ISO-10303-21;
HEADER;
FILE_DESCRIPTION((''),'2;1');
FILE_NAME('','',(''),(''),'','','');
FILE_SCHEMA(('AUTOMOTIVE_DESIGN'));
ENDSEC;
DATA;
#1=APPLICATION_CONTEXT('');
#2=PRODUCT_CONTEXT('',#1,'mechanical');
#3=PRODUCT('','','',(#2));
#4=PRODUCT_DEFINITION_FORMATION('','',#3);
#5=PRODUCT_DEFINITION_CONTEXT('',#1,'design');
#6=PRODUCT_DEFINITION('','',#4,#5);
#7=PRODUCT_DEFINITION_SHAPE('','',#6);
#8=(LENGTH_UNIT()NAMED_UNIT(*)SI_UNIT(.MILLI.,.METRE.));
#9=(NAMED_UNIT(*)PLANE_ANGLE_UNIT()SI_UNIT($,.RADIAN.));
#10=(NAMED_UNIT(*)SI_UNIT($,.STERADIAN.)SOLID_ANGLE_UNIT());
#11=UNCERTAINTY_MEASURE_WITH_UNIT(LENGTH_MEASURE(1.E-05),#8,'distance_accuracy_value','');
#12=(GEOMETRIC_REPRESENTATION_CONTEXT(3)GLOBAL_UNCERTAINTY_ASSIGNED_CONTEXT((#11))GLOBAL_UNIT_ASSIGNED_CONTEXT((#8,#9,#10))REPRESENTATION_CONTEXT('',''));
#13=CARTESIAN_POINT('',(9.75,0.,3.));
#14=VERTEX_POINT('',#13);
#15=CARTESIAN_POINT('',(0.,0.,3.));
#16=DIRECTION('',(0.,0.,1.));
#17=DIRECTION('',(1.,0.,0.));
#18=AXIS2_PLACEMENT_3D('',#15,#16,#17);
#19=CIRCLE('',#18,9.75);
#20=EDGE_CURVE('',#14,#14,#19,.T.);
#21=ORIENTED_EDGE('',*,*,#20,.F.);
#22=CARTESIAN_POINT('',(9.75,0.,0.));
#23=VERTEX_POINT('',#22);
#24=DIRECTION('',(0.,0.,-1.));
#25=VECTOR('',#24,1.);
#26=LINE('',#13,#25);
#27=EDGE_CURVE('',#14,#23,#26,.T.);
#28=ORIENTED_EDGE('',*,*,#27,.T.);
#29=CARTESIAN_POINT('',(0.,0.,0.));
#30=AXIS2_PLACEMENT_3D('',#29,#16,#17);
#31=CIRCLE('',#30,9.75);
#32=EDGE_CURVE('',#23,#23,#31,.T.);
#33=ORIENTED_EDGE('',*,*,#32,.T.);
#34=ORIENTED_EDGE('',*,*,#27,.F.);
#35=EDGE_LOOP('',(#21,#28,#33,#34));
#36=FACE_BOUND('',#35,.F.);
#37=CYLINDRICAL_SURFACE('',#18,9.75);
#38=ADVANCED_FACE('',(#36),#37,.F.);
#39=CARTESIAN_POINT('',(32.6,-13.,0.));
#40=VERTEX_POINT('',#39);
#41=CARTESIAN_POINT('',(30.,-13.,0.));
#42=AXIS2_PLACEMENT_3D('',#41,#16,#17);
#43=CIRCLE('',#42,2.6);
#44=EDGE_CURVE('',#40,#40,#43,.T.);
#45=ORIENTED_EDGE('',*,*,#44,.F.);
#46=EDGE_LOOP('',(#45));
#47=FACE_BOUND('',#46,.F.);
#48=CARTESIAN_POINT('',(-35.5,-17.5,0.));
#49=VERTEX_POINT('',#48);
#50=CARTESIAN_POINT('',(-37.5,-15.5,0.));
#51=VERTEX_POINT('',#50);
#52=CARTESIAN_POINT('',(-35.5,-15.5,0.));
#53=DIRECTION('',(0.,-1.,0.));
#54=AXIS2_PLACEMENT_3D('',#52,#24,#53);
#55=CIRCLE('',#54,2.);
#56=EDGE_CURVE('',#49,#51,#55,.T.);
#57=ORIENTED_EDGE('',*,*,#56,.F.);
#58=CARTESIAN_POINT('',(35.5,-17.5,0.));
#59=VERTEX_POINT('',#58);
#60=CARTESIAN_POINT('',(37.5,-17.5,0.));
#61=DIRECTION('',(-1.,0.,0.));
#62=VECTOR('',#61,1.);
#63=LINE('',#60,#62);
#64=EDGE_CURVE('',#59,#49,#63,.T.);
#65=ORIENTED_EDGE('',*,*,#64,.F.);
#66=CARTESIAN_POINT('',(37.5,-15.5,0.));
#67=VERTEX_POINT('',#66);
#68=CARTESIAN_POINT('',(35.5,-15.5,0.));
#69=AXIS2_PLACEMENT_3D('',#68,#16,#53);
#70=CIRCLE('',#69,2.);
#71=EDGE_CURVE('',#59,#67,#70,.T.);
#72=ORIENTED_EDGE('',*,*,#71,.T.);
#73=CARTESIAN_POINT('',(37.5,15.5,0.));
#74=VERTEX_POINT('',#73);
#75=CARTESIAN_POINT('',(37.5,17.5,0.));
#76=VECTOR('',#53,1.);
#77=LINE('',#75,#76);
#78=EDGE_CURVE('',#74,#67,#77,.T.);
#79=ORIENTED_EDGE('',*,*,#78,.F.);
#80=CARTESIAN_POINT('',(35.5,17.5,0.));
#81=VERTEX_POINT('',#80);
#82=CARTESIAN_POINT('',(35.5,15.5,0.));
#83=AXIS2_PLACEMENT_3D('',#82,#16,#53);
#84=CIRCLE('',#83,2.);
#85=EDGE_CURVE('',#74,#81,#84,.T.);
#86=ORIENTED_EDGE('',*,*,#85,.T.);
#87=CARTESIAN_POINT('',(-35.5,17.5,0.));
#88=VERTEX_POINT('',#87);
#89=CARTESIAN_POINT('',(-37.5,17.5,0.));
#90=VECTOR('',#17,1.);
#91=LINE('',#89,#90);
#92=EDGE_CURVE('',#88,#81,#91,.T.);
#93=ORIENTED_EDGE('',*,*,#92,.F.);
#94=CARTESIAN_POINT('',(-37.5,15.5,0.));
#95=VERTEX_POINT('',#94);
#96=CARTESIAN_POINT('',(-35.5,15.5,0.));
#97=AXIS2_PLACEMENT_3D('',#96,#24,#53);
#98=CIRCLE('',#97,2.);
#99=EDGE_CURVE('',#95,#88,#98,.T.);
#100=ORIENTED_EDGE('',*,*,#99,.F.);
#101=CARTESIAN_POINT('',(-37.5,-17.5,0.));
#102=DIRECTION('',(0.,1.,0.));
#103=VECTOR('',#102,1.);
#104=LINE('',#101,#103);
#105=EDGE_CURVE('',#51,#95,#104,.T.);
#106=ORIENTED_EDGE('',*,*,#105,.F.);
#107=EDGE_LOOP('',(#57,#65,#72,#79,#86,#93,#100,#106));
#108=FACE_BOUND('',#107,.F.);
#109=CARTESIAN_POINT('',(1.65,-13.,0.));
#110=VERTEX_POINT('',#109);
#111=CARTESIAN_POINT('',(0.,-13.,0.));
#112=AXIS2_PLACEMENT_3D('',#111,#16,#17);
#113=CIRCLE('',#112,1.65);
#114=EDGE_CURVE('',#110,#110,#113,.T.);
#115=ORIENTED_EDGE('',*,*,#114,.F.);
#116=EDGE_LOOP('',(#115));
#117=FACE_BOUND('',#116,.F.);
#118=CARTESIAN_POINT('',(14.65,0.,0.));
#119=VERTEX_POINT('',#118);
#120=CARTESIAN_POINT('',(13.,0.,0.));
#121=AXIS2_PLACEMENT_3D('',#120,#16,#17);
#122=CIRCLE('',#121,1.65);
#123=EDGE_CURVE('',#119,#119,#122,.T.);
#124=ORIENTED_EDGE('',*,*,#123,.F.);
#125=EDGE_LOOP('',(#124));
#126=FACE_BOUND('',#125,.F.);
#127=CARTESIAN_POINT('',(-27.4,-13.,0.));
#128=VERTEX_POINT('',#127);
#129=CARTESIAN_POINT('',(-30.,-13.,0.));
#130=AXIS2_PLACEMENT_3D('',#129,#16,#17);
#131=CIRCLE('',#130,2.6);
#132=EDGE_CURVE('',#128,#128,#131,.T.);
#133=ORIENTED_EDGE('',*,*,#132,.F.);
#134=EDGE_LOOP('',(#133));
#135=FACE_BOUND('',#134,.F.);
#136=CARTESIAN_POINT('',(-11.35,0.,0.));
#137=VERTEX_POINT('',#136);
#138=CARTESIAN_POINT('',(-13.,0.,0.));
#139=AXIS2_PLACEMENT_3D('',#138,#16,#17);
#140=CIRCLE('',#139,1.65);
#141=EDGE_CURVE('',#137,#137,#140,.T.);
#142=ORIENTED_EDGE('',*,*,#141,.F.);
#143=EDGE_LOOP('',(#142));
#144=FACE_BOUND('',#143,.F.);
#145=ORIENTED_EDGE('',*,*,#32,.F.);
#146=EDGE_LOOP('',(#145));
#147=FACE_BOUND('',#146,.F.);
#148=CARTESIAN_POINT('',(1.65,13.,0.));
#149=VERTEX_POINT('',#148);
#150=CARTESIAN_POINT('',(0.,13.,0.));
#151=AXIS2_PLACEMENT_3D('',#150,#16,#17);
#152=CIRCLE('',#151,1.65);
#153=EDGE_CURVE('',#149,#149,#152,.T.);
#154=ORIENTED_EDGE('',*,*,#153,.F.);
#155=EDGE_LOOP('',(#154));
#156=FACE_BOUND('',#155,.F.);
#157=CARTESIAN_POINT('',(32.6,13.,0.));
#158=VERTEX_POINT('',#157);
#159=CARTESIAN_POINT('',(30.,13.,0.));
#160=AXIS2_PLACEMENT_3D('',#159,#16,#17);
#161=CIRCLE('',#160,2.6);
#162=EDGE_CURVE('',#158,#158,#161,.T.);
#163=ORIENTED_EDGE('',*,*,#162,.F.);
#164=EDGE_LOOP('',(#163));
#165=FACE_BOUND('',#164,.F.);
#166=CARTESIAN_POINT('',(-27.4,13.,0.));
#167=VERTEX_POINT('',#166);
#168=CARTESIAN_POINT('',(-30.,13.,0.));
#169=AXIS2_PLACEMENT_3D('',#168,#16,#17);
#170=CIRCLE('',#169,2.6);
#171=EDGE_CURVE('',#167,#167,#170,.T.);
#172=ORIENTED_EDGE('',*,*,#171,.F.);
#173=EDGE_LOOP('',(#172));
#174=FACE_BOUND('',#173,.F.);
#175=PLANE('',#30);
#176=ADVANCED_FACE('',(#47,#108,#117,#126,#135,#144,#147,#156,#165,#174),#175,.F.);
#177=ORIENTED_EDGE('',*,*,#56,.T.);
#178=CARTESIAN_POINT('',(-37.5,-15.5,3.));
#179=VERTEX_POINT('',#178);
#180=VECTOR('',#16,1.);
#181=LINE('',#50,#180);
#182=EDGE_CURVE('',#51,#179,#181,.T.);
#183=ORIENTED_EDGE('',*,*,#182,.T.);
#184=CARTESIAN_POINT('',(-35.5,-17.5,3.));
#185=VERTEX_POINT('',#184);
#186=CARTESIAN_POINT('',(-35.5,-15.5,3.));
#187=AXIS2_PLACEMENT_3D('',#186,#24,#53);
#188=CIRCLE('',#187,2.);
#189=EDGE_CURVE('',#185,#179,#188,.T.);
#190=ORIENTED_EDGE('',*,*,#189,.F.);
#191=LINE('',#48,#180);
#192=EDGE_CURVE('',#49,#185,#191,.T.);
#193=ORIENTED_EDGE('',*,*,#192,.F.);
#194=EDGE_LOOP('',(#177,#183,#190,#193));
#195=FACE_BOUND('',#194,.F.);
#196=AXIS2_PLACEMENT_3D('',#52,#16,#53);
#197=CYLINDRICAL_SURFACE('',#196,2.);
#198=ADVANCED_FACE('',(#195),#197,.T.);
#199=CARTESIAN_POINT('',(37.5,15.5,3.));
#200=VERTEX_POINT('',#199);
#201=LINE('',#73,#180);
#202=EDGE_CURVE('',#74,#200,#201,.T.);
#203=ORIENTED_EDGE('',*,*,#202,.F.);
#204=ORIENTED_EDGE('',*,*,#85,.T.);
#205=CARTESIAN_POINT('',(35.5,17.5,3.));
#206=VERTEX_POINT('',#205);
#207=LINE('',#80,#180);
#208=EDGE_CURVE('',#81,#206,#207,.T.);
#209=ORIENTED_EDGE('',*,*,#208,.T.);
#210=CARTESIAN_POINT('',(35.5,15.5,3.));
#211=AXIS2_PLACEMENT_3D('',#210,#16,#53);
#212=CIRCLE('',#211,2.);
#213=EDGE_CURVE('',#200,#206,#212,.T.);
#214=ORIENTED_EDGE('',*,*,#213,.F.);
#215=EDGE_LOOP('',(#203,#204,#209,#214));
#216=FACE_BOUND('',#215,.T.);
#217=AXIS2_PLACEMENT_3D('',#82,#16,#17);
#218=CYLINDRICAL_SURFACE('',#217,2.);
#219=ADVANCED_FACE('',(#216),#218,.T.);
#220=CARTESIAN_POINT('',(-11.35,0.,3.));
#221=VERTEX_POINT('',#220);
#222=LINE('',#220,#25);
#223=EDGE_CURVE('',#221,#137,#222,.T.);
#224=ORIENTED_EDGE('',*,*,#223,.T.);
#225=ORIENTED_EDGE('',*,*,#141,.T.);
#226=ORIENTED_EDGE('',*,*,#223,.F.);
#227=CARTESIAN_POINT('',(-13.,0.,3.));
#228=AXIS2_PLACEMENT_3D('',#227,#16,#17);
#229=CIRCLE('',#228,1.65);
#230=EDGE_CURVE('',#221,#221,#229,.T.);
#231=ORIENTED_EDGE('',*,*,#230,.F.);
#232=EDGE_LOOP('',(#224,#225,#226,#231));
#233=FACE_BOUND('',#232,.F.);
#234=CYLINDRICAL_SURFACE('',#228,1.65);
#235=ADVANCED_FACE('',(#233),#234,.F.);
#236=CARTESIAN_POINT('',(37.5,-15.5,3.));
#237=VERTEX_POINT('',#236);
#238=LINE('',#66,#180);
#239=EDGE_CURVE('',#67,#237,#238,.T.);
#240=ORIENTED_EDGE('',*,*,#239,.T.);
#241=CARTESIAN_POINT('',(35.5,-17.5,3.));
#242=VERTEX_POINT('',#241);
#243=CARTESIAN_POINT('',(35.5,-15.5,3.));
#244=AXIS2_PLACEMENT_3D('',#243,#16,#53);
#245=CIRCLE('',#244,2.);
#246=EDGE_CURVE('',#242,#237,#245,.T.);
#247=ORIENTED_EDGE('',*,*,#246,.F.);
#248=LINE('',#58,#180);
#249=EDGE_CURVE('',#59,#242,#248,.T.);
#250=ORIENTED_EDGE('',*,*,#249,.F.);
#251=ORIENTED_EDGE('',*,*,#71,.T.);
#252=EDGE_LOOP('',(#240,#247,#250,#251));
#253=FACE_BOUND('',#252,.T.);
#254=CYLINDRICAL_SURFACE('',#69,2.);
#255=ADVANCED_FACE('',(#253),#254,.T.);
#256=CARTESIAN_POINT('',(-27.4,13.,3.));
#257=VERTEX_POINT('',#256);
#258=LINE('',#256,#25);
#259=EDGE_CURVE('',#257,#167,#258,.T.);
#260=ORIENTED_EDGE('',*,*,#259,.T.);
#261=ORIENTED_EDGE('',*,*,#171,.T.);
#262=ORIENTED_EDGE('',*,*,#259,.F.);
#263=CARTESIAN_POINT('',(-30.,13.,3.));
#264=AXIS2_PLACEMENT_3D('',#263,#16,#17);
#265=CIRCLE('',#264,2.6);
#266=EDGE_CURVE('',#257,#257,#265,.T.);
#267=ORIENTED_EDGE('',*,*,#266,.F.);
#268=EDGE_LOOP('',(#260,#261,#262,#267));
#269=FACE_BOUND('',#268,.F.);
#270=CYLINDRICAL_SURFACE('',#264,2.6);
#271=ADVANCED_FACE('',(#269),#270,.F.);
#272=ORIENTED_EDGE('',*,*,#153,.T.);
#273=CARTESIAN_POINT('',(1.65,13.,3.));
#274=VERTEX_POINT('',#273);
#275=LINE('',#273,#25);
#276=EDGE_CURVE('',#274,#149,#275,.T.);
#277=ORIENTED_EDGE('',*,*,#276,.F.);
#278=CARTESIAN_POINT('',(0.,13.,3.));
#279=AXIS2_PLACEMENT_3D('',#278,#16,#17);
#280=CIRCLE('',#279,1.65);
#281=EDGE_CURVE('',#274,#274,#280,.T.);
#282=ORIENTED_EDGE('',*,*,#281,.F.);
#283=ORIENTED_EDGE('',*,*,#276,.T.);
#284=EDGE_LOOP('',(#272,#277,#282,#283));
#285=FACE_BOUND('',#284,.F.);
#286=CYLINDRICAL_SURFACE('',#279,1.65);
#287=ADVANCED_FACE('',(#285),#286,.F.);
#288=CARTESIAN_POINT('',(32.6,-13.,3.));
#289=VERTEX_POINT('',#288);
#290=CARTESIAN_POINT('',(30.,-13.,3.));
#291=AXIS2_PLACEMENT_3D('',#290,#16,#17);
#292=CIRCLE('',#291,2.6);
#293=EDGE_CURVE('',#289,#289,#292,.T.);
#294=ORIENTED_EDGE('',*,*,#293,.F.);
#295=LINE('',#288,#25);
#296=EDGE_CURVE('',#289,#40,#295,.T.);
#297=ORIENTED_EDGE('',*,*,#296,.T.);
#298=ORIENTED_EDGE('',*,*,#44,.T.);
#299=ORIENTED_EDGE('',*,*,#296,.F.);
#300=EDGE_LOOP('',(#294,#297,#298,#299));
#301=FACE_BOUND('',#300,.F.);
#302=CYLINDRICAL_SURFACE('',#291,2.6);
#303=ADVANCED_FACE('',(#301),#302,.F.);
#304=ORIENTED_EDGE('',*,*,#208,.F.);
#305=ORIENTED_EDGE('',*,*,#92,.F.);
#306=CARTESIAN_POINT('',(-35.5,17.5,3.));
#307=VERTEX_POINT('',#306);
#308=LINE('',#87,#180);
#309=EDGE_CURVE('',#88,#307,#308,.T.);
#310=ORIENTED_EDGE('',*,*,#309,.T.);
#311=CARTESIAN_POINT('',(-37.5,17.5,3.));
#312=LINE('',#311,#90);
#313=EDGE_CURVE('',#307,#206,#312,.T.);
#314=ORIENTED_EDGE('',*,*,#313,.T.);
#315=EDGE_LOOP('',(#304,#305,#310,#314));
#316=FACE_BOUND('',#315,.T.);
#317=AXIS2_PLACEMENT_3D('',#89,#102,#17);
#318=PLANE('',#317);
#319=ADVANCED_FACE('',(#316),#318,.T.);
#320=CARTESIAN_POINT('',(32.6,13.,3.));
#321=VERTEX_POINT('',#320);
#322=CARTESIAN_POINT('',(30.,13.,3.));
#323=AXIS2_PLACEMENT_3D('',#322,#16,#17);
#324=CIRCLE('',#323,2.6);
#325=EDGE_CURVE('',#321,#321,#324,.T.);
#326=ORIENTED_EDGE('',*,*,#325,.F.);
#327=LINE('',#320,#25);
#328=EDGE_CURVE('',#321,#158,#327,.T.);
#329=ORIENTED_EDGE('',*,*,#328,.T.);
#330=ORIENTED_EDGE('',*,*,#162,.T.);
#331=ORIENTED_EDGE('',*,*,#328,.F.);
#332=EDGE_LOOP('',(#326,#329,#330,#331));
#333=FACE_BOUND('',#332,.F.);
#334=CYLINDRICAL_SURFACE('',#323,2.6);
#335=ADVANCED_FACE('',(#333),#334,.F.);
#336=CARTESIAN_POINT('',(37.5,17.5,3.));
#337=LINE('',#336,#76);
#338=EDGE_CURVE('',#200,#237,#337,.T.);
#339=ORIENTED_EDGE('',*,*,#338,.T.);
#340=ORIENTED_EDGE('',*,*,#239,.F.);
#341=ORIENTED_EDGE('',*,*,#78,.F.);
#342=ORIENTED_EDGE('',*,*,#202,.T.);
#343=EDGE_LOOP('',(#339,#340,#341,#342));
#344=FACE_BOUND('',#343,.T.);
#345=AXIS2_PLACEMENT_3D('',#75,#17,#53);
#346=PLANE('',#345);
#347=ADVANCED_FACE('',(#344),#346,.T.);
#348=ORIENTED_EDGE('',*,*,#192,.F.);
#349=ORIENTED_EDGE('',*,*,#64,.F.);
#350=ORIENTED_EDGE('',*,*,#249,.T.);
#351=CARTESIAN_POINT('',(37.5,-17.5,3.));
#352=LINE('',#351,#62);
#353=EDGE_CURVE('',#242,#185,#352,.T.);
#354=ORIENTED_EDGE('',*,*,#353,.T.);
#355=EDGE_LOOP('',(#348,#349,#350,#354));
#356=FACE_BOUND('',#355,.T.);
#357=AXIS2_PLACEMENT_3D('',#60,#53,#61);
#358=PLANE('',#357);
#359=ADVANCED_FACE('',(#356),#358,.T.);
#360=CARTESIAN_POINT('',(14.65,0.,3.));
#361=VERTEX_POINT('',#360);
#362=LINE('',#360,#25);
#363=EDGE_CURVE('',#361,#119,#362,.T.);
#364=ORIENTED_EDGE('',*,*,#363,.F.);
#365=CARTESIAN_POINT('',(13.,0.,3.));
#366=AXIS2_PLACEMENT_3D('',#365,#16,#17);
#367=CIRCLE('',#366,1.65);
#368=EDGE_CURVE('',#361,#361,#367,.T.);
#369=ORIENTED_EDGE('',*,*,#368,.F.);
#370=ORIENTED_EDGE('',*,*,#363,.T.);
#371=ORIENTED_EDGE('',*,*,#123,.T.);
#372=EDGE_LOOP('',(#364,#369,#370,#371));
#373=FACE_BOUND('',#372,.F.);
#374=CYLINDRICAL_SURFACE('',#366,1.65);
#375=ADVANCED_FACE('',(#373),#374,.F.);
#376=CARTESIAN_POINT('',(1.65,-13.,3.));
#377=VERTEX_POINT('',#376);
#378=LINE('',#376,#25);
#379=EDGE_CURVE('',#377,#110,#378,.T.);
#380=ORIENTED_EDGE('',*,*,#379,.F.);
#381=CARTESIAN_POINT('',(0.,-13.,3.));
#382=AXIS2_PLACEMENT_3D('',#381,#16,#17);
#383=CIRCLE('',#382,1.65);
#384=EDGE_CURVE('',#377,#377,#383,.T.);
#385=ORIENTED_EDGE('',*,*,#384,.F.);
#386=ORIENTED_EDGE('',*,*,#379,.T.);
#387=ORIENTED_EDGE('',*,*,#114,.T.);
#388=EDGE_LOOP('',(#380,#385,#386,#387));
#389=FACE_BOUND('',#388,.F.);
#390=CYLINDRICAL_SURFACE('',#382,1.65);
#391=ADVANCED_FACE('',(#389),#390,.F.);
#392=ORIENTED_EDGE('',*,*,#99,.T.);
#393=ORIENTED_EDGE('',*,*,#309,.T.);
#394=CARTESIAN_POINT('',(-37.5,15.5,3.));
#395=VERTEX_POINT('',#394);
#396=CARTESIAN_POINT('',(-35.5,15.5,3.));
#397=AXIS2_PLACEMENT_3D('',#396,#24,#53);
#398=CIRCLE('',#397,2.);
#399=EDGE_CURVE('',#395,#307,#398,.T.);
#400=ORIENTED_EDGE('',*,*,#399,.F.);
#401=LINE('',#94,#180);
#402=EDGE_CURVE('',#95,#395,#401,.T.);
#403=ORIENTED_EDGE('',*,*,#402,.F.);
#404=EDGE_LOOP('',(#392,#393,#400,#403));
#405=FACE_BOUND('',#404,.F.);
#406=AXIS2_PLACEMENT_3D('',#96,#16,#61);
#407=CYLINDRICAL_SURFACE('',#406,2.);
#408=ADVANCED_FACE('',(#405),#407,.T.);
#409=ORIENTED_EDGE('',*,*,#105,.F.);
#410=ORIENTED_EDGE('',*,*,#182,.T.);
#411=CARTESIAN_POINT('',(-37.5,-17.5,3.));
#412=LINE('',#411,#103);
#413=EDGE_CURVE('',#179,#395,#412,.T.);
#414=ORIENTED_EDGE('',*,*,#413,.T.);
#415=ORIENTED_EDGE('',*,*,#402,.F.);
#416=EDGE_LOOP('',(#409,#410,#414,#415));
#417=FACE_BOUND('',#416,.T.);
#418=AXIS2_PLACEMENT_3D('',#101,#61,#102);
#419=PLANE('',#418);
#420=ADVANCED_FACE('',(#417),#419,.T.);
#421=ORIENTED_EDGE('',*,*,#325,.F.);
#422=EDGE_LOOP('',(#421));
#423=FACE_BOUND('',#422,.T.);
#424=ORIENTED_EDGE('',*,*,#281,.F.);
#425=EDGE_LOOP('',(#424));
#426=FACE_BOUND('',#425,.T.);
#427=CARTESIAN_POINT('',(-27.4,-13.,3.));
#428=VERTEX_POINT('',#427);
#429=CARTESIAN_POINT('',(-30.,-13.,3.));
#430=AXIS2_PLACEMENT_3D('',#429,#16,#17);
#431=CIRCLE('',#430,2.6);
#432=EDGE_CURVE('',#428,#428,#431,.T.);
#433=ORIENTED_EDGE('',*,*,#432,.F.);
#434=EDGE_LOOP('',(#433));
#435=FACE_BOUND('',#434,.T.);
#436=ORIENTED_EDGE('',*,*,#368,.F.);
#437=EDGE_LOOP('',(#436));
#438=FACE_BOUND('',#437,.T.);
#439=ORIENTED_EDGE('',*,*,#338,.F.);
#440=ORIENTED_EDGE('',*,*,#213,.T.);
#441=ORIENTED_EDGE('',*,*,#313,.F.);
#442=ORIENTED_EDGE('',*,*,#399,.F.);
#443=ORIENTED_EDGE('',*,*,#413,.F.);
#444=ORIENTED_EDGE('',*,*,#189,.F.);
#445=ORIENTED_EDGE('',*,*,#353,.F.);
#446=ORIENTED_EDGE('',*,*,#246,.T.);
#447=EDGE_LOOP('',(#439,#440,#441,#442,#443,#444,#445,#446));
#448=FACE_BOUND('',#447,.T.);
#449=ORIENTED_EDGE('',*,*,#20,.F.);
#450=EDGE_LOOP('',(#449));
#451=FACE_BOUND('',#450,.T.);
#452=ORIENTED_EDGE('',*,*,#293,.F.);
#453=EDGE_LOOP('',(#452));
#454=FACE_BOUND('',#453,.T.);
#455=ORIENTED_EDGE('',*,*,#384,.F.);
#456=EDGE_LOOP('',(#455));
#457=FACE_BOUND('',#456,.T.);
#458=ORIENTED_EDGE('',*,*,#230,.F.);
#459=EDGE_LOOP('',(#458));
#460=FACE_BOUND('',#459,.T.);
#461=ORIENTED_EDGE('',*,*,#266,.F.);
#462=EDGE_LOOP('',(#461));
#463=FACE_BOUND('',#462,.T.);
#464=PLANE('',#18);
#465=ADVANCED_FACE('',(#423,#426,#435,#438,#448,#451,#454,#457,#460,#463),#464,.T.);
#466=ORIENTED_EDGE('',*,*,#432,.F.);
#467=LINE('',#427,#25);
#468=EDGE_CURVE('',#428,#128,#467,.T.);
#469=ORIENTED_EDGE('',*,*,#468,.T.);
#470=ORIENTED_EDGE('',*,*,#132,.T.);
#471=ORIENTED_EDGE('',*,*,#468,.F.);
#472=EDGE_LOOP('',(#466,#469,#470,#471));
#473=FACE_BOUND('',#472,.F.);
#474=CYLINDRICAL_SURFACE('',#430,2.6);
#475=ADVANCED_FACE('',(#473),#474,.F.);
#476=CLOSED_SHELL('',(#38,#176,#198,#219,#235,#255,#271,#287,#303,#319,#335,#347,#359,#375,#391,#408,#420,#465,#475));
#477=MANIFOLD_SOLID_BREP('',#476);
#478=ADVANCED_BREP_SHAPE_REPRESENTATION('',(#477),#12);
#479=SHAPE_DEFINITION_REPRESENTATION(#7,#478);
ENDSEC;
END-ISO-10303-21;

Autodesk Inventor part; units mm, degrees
ref_plane "YZ Plane" through (0, 0, 0) normal (1, 0, 0) x (0, 1, 0)
ref_plane "XZ Plane" through (0, 0, 0) normal (0, 1, 0) x (-1, 0, 0)
ref_plane "XY Plane" through (0, 0, 0) normal (0, 0, 1) x (1, 0, 0)
sketch "スケッチ6" plane through (0, 0, 0) normal (0, 0, 1) x (1, 0, 0)
  line L0 (37.5, -17.5) -> (-37.5, -17.5)
  line L1 (-37.5, -17.5) -> (-37.5, 17.5)
  line L2 (-37.5, 17.5) -> (37.5, 17.5)
  line L3 (37.5, 17.5) -> (37.5, -17.5)
  line L4 (37.5, -17.5) -> (-37.5, 17.5) construction
  line L5 (-37.5, -17.5) -> (37.5, 17.5) construction
  point P0 (0, 0)
  dimension "d29" = 75
  dimension "d30" = 35
extrude "押し出し6" add sketch "スケッチ6" along normal blind 3
sketch "スケッチ7" plane through (0, 0, 3) normal (0, 0, 1) x (1, 0, 0)
  circle A0 centre (0, 0) radius 9.75
  dimension "d33" = 19.5
extrude "押し出し7" cut sketch "スケッチ7" against normal blind 3
sketch "スケッチ8" plane through (0, 0, 3) normal (0, 0, 1) x (1, 0, 0)
  circle A0 centre (0, 13) radius 1.65
  circle A1 centre (0, -13) radius 1.65
  circle A2 centre (13, 0) radius 1.65
  circle A3 centre (-13, 0) radius 1.65
  point P0 (0, 0)
  dimension "d36" = 3.3
  dimension "d37" = 3.3
  dimension "d38" = 3.3
  dimension "d39" = 3.3
extrude "押し出し8" cut sketch "スケッチ8" against normal blind 3
sketch "スケッチ9" plane through (0, 0, 3) normal (0, 0, 1) x (1, 0, 0)
  circle A0 centre (-30, 13) radius 2.6
  circle A1 centre (30, 13) radius 2.6
  circle A2 centre (-30, -13) radius 2.6
  circle A3 centre (30, -13) radius 2.6
  point P0 (0, 0)
  dimension "d50" = 5.2
  dimension "d51" = 5.2
  dimension "d52" = 5.2
  dimension "d53" = 5.2
sketch "スケッチ10" plane through (0, 0, 3) normal (0, 0, 1) x (1, 0, 0)
  circle A0 centre (0, 0) radius 16
  dimension "d43" = 32
extrude "押し出し9" cut sketch "スケッチ9" against normal blind 3
fillet "フィレット1" radius 2 4 edges at (-37.5, 17.5, 1.5) (37.5, 17.5, 1.5) (37.5, -17.5, 1.5) (-37.5, -17.5, 1.5)
properties part number "板 中心Φ7" material "アルミニウム 6061"
